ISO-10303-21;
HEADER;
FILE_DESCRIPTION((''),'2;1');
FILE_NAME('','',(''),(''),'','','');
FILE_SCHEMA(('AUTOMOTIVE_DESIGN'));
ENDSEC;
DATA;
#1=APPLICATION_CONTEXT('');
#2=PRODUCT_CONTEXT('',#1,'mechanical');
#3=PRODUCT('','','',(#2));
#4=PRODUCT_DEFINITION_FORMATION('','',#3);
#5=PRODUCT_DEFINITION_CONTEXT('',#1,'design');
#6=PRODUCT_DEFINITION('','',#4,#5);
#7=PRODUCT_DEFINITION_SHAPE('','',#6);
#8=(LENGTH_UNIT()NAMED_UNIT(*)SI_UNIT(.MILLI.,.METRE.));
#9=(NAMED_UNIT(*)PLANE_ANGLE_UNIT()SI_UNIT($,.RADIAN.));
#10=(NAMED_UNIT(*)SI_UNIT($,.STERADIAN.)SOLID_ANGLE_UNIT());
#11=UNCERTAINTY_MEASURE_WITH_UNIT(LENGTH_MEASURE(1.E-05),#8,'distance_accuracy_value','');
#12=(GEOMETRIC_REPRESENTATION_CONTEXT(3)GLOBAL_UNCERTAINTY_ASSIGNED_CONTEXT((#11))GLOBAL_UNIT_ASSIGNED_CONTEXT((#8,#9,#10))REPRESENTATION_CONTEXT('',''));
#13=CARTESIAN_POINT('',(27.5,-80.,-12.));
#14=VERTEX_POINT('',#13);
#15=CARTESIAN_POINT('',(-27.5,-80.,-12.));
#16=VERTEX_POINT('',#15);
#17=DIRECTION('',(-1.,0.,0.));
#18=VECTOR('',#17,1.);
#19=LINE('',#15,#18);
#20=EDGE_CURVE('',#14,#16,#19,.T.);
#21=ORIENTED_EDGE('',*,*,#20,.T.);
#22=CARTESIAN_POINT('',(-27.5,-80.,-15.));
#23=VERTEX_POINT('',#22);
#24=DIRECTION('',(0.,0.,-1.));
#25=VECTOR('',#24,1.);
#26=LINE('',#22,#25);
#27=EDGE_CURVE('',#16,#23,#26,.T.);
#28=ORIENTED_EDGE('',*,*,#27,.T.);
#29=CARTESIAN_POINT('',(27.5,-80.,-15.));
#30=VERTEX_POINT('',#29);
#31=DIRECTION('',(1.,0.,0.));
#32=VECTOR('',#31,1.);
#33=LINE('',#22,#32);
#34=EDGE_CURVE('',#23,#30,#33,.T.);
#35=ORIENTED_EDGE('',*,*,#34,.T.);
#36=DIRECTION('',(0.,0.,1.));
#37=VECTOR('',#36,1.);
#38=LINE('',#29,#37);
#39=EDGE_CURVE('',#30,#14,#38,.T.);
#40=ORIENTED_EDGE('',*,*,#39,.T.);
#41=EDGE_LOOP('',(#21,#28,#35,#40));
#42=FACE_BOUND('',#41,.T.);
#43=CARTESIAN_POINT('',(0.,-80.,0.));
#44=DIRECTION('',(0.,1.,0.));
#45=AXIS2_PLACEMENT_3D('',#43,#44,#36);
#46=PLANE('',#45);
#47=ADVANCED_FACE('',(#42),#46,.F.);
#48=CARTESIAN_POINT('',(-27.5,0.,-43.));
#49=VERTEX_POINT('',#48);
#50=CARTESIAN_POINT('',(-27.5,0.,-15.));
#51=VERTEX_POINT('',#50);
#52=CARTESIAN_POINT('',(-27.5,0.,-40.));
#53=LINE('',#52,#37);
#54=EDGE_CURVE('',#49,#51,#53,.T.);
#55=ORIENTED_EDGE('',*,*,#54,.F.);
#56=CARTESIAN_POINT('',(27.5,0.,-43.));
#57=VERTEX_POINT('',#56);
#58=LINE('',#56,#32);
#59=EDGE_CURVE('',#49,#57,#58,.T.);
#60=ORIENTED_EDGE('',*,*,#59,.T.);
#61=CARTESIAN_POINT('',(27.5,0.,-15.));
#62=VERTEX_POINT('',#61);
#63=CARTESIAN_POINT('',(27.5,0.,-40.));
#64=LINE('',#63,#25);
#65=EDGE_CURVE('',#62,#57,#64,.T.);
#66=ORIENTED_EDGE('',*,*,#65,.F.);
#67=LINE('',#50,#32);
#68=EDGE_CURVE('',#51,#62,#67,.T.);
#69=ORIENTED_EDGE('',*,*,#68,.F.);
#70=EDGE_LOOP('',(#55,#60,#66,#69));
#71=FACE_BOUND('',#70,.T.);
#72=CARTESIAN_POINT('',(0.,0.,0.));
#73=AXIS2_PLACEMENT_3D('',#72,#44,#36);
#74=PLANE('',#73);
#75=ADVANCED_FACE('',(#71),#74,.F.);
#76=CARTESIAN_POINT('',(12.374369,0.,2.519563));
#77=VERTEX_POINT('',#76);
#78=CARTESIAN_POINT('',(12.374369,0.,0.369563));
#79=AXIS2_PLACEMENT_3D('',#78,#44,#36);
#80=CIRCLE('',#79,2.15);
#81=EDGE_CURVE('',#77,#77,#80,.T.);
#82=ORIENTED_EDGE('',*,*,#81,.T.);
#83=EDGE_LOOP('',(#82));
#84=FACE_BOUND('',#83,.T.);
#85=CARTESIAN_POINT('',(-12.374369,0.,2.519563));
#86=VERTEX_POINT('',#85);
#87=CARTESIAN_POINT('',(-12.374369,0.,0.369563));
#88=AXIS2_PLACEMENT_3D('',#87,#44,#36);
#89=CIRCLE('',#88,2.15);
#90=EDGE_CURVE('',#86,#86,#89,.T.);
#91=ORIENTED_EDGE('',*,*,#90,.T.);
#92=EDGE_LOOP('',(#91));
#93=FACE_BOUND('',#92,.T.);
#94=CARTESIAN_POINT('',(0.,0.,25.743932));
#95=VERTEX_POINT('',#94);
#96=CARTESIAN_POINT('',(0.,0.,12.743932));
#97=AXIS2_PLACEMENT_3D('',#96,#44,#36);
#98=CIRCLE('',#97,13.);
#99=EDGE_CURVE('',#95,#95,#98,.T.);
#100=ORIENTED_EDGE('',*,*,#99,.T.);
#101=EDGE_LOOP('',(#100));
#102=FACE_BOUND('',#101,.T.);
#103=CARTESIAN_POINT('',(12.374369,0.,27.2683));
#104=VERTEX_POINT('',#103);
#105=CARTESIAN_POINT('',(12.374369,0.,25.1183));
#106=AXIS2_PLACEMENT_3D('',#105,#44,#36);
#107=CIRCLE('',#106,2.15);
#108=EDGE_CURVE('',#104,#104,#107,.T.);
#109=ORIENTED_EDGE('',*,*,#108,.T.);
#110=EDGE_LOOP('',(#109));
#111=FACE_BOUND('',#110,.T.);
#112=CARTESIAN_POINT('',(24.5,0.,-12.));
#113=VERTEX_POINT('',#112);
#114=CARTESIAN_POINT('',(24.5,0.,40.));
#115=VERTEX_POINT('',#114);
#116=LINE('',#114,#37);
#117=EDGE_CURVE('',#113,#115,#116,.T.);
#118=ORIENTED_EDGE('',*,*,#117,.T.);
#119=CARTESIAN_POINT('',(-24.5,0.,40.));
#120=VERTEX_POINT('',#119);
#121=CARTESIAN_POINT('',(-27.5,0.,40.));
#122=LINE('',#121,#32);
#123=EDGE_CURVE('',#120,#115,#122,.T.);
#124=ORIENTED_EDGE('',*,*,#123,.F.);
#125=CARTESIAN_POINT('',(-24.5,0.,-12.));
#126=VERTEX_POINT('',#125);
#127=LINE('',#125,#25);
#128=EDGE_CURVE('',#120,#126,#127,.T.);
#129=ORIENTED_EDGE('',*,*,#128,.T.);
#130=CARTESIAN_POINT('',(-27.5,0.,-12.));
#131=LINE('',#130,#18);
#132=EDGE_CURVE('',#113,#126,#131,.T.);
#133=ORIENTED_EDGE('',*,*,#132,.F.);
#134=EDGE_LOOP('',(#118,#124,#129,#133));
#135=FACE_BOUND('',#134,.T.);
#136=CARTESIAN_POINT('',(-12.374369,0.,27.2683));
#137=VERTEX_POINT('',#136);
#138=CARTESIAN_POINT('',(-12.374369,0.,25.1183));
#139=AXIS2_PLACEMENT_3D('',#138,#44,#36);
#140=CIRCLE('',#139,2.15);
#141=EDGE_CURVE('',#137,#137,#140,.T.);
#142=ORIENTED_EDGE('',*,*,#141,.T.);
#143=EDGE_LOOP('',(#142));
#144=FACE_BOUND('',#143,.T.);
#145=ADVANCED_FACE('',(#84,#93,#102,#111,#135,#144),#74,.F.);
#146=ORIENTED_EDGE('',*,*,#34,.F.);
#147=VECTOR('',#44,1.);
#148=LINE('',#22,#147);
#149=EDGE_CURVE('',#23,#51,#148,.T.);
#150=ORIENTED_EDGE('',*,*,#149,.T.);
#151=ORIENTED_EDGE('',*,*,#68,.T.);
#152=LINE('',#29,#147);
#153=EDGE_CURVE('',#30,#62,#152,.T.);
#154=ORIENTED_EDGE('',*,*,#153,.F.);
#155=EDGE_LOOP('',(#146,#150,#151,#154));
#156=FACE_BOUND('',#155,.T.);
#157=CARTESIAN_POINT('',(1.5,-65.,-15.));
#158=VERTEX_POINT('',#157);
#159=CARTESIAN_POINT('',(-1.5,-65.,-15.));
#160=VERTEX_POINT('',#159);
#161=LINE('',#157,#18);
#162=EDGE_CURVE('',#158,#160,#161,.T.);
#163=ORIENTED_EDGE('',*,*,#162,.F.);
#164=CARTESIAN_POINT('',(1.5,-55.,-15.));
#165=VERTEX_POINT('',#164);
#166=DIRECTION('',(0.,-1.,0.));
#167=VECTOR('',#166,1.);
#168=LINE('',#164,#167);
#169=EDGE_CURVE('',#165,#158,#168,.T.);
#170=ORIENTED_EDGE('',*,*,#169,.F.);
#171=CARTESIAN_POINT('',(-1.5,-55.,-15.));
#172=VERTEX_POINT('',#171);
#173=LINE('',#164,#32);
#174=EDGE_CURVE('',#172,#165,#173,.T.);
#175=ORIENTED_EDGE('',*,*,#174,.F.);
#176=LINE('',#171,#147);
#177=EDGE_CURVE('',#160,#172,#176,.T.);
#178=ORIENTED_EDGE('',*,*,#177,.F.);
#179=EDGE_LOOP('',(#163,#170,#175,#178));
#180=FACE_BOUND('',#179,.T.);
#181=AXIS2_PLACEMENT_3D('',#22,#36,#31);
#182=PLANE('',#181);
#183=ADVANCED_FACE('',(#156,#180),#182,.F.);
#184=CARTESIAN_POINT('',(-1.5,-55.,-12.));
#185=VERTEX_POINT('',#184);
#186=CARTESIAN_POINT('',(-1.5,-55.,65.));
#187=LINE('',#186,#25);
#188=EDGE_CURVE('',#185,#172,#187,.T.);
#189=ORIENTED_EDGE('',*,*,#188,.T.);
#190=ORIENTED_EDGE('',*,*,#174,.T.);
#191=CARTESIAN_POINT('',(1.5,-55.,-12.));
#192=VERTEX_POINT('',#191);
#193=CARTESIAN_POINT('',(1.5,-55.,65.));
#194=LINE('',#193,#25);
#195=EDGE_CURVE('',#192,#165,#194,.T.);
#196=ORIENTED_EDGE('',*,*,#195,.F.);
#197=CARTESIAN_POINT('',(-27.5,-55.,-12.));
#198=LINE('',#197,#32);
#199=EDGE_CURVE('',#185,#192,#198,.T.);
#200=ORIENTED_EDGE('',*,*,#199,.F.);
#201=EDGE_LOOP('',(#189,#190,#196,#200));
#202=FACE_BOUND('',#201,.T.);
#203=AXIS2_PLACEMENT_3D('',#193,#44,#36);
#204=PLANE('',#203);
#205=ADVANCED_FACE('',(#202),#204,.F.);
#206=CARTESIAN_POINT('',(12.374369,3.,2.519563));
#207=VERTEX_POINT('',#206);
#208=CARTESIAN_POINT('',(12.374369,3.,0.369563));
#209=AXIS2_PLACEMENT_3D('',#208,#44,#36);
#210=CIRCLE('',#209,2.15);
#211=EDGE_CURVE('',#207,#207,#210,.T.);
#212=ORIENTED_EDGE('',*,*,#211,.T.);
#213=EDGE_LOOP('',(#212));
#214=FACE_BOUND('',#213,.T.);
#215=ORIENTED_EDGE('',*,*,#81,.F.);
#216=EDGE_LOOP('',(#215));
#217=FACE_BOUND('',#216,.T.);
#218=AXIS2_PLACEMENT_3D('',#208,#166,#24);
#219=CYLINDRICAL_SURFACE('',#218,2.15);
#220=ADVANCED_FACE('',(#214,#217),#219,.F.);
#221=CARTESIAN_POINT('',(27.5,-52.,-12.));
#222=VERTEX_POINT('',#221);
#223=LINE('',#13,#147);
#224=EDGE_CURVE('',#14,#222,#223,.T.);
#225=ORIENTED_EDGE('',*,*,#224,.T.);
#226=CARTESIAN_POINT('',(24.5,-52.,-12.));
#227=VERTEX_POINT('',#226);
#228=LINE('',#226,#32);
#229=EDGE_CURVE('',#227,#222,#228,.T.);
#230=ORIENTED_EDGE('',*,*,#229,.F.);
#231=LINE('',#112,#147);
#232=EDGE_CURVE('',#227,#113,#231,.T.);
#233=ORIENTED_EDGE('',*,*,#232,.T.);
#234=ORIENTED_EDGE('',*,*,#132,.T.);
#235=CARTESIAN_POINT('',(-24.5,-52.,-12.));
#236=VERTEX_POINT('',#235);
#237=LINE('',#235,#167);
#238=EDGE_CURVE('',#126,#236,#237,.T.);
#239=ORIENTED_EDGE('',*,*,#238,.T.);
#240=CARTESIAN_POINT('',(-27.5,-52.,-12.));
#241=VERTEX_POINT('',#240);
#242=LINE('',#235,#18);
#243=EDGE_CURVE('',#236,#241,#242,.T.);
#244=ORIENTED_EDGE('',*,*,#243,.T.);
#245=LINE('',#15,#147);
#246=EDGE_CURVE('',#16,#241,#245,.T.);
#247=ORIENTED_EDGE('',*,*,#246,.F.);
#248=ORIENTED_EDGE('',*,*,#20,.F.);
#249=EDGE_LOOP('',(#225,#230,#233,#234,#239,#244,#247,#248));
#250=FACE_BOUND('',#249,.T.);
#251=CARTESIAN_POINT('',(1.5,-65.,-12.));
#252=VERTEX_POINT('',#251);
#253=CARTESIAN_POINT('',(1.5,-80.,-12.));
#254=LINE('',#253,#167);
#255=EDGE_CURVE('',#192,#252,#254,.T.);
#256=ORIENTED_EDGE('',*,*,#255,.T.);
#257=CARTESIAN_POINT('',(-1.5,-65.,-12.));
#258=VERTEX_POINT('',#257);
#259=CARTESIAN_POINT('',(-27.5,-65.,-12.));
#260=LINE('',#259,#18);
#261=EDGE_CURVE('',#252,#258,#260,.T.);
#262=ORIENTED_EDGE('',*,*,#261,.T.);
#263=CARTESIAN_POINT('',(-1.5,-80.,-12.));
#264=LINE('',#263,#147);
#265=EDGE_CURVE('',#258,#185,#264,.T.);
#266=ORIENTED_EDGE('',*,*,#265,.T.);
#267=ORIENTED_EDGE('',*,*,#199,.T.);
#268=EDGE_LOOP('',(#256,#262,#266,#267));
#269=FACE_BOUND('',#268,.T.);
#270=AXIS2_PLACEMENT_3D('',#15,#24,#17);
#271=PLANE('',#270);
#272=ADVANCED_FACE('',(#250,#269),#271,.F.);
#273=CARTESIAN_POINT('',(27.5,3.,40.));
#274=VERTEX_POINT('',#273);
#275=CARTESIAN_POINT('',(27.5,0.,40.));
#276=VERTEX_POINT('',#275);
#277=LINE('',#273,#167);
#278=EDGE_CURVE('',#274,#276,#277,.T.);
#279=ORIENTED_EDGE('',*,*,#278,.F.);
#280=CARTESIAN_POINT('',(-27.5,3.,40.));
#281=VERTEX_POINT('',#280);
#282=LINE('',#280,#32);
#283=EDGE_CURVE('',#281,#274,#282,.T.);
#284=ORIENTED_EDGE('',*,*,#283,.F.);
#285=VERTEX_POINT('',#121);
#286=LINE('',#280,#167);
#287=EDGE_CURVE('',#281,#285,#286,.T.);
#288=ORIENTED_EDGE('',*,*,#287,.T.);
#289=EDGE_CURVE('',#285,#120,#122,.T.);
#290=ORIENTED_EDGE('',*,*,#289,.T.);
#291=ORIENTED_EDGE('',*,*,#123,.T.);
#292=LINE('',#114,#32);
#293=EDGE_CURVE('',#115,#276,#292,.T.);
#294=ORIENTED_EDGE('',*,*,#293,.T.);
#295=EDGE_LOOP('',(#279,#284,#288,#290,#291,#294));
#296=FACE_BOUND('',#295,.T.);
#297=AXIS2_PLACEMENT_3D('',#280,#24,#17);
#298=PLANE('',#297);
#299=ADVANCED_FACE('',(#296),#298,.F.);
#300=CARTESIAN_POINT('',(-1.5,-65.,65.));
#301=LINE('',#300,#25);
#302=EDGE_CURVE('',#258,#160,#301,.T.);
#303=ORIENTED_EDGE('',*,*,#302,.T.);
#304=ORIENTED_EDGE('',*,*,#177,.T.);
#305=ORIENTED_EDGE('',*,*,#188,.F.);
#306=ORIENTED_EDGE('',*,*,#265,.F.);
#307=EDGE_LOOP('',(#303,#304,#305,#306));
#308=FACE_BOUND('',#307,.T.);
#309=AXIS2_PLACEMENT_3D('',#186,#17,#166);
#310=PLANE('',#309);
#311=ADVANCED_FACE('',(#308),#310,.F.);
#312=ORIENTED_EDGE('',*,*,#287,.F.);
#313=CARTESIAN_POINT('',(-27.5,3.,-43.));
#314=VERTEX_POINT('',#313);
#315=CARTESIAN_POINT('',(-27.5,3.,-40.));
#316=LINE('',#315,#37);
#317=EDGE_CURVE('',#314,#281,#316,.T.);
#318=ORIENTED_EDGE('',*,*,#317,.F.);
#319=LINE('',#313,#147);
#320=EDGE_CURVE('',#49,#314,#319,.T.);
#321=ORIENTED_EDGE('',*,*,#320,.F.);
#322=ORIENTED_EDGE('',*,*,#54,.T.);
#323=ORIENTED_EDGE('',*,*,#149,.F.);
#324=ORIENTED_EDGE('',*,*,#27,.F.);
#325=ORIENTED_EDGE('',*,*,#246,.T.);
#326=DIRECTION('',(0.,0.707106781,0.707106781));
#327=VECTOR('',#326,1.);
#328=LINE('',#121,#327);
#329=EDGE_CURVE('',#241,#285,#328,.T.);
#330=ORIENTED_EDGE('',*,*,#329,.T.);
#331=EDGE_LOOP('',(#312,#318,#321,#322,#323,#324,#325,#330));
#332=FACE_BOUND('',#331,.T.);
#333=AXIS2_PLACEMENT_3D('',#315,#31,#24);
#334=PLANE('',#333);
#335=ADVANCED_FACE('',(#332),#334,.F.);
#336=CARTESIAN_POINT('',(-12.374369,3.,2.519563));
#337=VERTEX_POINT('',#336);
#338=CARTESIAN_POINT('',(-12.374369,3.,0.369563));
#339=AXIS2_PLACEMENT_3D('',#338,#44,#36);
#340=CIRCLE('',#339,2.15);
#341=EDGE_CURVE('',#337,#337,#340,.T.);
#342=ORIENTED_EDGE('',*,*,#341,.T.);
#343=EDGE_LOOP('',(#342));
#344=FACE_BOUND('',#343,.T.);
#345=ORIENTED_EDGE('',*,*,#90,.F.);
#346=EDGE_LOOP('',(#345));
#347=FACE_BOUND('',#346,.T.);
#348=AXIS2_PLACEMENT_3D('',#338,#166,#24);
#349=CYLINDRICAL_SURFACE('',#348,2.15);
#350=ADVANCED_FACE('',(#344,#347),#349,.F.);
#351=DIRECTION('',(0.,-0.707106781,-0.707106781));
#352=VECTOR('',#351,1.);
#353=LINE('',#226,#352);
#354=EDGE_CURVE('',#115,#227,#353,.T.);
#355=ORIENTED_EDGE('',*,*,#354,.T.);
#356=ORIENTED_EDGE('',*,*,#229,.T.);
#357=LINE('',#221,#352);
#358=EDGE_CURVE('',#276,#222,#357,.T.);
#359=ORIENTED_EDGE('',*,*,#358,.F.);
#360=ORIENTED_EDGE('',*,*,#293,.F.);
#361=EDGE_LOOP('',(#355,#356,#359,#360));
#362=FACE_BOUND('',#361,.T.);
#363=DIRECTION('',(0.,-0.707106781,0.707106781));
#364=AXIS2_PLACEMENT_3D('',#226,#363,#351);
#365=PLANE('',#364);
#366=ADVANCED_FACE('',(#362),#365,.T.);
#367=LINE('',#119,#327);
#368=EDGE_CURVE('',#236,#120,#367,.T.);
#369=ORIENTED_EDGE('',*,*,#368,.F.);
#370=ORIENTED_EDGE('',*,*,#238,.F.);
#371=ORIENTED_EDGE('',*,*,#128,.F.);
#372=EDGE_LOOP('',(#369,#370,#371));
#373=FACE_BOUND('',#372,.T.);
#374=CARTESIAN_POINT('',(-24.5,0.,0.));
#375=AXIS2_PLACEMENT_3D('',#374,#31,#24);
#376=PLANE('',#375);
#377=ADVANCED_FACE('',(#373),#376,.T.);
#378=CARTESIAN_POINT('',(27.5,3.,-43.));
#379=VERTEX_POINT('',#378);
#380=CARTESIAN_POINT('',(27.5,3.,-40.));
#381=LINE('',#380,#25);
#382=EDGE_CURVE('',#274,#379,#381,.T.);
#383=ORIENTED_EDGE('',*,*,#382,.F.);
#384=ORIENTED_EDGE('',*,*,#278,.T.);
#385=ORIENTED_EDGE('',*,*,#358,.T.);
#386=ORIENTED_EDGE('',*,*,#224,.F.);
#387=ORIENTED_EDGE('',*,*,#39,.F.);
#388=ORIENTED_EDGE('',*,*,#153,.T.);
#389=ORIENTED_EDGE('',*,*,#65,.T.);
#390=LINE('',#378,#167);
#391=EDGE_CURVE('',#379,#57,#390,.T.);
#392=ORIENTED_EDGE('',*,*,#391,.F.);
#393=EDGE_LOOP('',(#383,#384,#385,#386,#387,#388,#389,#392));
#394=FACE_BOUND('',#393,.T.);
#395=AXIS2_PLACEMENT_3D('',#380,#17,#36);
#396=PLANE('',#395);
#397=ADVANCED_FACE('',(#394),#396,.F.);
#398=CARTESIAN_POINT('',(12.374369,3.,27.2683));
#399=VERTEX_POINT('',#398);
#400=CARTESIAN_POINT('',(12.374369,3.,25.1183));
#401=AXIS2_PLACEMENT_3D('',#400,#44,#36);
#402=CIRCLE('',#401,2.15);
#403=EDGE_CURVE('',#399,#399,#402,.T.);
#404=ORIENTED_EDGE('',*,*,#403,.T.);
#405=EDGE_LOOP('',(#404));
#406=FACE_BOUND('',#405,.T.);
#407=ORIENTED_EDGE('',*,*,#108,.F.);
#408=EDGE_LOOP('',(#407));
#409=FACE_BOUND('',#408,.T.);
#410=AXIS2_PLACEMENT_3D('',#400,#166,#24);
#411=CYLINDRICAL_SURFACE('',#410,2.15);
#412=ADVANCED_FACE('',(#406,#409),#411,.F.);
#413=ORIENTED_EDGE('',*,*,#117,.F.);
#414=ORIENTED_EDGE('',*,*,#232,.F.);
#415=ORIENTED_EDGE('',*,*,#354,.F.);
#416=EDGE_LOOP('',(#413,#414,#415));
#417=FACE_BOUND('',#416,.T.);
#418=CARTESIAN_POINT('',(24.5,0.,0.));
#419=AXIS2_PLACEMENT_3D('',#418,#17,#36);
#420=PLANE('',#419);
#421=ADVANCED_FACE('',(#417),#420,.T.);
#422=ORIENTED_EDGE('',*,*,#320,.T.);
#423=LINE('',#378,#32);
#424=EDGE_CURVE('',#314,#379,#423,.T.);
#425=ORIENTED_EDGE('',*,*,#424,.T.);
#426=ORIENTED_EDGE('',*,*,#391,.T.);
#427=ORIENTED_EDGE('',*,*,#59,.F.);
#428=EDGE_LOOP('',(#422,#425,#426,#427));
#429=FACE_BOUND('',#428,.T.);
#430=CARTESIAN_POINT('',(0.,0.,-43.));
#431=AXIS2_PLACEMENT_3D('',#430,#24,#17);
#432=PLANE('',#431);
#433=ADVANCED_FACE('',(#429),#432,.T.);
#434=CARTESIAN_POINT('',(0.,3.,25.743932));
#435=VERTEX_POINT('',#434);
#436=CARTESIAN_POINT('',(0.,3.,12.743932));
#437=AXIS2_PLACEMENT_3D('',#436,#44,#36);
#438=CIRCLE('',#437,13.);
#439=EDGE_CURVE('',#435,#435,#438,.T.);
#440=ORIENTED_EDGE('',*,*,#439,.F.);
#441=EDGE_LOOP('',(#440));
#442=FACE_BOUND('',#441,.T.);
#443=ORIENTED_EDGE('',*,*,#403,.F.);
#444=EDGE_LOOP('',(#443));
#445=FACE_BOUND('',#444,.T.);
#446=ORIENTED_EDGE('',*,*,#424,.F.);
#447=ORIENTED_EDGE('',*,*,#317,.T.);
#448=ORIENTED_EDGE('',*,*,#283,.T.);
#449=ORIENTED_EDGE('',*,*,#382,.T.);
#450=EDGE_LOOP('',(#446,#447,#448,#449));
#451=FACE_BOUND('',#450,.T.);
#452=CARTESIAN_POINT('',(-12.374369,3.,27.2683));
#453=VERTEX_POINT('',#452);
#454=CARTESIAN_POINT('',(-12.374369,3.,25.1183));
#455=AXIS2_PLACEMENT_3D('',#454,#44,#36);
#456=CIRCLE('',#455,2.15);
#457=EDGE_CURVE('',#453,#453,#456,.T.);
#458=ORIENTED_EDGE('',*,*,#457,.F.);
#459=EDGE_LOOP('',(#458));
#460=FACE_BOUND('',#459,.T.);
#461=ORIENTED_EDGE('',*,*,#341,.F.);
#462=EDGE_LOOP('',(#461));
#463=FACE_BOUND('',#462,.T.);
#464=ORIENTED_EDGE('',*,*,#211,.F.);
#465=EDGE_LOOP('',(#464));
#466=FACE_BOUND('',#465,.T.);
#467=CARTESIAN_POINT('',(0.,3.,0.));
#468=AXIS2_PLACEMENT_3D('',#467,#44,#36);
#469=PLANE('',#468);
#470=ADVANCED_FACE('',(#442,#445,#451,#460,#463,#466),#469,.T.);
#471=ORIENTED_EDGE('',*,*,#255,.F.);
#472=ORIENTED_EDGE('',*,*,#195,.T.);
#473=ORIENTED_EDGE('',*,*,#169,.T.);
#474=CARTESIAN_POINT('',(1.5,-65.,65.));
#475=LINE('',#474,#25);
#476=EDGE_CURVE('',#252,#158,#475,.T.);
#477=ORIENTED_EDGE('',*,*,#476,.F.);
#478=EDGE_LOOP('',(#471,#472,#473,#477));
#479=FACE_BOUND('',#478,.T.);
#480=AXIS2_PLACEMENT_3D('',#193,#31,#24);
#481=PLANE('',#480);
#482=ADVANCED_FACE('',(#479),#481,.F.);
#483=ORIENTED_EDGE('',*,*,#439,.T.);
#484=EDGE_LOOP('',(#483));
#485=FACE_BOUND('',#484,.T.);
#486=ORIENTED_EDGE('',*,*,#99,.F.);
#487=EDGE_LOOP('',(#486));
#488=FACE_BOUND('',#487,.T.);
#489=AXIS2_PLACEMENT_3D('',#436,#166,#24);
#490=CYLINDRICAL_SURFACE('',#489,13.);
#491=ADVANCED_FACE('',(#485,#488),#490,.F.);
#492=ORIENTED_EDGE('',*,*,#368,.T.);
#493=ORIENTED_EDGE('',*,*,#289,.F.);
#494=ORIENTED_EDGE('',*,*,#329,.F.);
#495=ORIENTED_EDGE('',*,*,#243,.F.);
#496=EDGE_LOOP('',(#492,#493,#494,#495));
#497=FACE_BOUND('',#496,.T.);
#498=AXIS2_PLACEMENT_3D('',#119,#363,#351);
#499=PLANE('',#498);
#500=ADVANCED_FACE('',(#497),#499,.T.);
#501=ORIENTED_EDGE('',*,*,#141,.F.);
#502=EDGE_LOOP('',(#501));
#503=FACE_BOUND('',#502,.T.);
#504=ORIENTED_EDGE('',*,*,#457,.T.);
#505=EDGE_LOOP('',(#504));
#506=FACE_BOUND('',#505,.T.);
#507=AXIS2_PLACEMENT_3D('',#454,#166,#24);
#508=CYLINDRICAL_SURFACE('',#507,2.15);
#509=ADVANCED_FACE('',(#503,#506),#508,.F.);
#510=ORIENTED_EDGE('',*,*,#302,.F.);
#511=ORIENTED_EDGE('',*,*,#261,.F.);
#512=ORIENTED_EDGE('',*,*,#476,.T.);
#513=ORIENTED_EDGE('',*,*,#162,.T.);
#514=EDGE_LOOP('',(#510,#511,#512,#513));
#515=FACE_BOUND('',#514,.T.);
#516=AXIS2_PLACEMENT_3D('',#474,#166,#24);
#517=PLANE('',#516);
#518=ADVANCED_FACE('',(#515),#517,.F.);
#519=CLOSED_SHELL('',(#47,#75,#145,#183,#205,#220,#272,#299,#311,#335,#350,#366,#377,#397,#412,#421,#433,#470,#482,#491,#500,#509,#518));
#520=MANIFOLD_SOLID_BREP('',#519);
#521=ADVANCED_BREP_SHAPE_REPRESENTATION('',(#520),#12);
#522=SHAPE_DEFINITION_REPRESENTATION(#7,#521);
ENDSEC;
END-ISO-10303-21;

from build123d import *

# Parameters (mm, degrees)
SKETCH1_W           = 55
SKETCH1_H           = 80
SKETCH1_R           = 13
SKETCH1_R_2         = 2.15
BOSS_EXTRUDE2_DEPTH = 3
SKETCH2_W           = 55
SKETCH2_H           = 3
BOSS_EXTRUDE3_DEPTH = 80
SKETCH3_W           = 3
SKETCH3_H           = 10
CUT_EXTRUDE1_DEPTH  = 80
SKETCH4_W           = 55
SKETCH4_H           = 25
BOSS_EXTRUDE4_DEPTH = 3
SKETCH5_W           = 55
SKETCH5_H           = 3
CUT_EXTRUDE2_DEPTH  = 22
BOSS_EXTRUDE5_DEPTH = 3
BOSS_EXTRUDE6_DEPTH = 3


with BuildPart() as part:
    # Sketch1 → Boss-Extrude2 (new body)
    with BuildSketch(Plane(origin=(0, 0, 0), x_dir=(1, 0, 0), z_dir=(0, 1, 0))):
        Rectangle(SKETCH1_W, SKETCH1_H)
        with Locations((0, -12.743931666)):
            Circle(SKETCH1_R, mode=Mode.SUBTRACT)
        with Locations((12.374368671, -0.369562995)):
            Circle(SKETCH1_R_2, mode=Mode.SUBTRACT)
        with Locations((12.374368671, -25.118300337)):
            Circle(SKETCH1_R_2, mode=Mode.SUBTRACT)
        with Locations((-12.374368671, -25.118300337)):
            Circle(SKETCH1_R_2, mode=Mode.SUBTRACT)
        with Locations((-12.374368671, -0.369562995)):
            Circle(SKETCH1_R_2, mode=Mode.SUBTRACT)
    extrude(amount=BOSS_EXTRUDE2_DEPTH)

    # Sketch2 → Boss-Extrude3 (add)
    with BuildSketch(Plane.XZ):
        with Locations((0, -13.5)):
            Rectangle(SKETCH2_W, SKETCH2_H)
    extrude(amount=BOSS_EXTRUDE3_DEPTH)

    # Sketch3 → Cut-Extrude1 (cut)
    with BuildSketch(Plane(origin=(0, 0, -15), x_dir=(-1, 0, 0), z_dir=(0, 0, -1))):
        with Locations((0, -60)):
            Rectangle(SKETCH3_W, SKETCH3_H)
    extrude(amount=-CUT_EXTRUDE1_DEPTH, mode=Mode.SUBTRACT)

    # Sketch4 → Boss-Extrude4 (add)
    with BuildSketch(Plane(origin=(0, 0, -40), x_dir=(-1, 0, 0), z_dir=(0, 0, -1))):
        with Locations((0, -9.5)):
            Rectangle(SKETCH4_W, SKETCH4_H)
    extrude(amount=BOSS_EXTRUDE4_DEPTH)

    # Sketch5 → Cut-Extrude2 (cut)
    with BuildSketch(Plane.XZ.offset(22)):
        with Locations((0, -41.5)):
            Rectangle(SKETCH5_W, SKETCH5_H)
    extrude(amount=-CUT_EXTRUDE2_DEPTH, mode=Mode.SUBTRACT)

    # Sketch6 → Boss-Extrude5 (add)
    with BuildSketch(Plane(origin=(27.5, 0, 0), x_dir=(0, 0, -1), z_dir=(1, 0, 0))):
        Polygon((-40, 0), (12, 0), (12, -52), align=None)
    extrude(amount=-BOSS_EXTRUDE5_DEPTH)

    # Sketch7 → Boss-Extrude6 (add)
    with BuildSketch(Plane.ZY.offset(27.5)):
        Polygon((-12, 0), (40, 0), (-12, -52), align=None)
    extrude(amount=-BOSS_EXTRUDE6_DEPTH)


solid = part.part
